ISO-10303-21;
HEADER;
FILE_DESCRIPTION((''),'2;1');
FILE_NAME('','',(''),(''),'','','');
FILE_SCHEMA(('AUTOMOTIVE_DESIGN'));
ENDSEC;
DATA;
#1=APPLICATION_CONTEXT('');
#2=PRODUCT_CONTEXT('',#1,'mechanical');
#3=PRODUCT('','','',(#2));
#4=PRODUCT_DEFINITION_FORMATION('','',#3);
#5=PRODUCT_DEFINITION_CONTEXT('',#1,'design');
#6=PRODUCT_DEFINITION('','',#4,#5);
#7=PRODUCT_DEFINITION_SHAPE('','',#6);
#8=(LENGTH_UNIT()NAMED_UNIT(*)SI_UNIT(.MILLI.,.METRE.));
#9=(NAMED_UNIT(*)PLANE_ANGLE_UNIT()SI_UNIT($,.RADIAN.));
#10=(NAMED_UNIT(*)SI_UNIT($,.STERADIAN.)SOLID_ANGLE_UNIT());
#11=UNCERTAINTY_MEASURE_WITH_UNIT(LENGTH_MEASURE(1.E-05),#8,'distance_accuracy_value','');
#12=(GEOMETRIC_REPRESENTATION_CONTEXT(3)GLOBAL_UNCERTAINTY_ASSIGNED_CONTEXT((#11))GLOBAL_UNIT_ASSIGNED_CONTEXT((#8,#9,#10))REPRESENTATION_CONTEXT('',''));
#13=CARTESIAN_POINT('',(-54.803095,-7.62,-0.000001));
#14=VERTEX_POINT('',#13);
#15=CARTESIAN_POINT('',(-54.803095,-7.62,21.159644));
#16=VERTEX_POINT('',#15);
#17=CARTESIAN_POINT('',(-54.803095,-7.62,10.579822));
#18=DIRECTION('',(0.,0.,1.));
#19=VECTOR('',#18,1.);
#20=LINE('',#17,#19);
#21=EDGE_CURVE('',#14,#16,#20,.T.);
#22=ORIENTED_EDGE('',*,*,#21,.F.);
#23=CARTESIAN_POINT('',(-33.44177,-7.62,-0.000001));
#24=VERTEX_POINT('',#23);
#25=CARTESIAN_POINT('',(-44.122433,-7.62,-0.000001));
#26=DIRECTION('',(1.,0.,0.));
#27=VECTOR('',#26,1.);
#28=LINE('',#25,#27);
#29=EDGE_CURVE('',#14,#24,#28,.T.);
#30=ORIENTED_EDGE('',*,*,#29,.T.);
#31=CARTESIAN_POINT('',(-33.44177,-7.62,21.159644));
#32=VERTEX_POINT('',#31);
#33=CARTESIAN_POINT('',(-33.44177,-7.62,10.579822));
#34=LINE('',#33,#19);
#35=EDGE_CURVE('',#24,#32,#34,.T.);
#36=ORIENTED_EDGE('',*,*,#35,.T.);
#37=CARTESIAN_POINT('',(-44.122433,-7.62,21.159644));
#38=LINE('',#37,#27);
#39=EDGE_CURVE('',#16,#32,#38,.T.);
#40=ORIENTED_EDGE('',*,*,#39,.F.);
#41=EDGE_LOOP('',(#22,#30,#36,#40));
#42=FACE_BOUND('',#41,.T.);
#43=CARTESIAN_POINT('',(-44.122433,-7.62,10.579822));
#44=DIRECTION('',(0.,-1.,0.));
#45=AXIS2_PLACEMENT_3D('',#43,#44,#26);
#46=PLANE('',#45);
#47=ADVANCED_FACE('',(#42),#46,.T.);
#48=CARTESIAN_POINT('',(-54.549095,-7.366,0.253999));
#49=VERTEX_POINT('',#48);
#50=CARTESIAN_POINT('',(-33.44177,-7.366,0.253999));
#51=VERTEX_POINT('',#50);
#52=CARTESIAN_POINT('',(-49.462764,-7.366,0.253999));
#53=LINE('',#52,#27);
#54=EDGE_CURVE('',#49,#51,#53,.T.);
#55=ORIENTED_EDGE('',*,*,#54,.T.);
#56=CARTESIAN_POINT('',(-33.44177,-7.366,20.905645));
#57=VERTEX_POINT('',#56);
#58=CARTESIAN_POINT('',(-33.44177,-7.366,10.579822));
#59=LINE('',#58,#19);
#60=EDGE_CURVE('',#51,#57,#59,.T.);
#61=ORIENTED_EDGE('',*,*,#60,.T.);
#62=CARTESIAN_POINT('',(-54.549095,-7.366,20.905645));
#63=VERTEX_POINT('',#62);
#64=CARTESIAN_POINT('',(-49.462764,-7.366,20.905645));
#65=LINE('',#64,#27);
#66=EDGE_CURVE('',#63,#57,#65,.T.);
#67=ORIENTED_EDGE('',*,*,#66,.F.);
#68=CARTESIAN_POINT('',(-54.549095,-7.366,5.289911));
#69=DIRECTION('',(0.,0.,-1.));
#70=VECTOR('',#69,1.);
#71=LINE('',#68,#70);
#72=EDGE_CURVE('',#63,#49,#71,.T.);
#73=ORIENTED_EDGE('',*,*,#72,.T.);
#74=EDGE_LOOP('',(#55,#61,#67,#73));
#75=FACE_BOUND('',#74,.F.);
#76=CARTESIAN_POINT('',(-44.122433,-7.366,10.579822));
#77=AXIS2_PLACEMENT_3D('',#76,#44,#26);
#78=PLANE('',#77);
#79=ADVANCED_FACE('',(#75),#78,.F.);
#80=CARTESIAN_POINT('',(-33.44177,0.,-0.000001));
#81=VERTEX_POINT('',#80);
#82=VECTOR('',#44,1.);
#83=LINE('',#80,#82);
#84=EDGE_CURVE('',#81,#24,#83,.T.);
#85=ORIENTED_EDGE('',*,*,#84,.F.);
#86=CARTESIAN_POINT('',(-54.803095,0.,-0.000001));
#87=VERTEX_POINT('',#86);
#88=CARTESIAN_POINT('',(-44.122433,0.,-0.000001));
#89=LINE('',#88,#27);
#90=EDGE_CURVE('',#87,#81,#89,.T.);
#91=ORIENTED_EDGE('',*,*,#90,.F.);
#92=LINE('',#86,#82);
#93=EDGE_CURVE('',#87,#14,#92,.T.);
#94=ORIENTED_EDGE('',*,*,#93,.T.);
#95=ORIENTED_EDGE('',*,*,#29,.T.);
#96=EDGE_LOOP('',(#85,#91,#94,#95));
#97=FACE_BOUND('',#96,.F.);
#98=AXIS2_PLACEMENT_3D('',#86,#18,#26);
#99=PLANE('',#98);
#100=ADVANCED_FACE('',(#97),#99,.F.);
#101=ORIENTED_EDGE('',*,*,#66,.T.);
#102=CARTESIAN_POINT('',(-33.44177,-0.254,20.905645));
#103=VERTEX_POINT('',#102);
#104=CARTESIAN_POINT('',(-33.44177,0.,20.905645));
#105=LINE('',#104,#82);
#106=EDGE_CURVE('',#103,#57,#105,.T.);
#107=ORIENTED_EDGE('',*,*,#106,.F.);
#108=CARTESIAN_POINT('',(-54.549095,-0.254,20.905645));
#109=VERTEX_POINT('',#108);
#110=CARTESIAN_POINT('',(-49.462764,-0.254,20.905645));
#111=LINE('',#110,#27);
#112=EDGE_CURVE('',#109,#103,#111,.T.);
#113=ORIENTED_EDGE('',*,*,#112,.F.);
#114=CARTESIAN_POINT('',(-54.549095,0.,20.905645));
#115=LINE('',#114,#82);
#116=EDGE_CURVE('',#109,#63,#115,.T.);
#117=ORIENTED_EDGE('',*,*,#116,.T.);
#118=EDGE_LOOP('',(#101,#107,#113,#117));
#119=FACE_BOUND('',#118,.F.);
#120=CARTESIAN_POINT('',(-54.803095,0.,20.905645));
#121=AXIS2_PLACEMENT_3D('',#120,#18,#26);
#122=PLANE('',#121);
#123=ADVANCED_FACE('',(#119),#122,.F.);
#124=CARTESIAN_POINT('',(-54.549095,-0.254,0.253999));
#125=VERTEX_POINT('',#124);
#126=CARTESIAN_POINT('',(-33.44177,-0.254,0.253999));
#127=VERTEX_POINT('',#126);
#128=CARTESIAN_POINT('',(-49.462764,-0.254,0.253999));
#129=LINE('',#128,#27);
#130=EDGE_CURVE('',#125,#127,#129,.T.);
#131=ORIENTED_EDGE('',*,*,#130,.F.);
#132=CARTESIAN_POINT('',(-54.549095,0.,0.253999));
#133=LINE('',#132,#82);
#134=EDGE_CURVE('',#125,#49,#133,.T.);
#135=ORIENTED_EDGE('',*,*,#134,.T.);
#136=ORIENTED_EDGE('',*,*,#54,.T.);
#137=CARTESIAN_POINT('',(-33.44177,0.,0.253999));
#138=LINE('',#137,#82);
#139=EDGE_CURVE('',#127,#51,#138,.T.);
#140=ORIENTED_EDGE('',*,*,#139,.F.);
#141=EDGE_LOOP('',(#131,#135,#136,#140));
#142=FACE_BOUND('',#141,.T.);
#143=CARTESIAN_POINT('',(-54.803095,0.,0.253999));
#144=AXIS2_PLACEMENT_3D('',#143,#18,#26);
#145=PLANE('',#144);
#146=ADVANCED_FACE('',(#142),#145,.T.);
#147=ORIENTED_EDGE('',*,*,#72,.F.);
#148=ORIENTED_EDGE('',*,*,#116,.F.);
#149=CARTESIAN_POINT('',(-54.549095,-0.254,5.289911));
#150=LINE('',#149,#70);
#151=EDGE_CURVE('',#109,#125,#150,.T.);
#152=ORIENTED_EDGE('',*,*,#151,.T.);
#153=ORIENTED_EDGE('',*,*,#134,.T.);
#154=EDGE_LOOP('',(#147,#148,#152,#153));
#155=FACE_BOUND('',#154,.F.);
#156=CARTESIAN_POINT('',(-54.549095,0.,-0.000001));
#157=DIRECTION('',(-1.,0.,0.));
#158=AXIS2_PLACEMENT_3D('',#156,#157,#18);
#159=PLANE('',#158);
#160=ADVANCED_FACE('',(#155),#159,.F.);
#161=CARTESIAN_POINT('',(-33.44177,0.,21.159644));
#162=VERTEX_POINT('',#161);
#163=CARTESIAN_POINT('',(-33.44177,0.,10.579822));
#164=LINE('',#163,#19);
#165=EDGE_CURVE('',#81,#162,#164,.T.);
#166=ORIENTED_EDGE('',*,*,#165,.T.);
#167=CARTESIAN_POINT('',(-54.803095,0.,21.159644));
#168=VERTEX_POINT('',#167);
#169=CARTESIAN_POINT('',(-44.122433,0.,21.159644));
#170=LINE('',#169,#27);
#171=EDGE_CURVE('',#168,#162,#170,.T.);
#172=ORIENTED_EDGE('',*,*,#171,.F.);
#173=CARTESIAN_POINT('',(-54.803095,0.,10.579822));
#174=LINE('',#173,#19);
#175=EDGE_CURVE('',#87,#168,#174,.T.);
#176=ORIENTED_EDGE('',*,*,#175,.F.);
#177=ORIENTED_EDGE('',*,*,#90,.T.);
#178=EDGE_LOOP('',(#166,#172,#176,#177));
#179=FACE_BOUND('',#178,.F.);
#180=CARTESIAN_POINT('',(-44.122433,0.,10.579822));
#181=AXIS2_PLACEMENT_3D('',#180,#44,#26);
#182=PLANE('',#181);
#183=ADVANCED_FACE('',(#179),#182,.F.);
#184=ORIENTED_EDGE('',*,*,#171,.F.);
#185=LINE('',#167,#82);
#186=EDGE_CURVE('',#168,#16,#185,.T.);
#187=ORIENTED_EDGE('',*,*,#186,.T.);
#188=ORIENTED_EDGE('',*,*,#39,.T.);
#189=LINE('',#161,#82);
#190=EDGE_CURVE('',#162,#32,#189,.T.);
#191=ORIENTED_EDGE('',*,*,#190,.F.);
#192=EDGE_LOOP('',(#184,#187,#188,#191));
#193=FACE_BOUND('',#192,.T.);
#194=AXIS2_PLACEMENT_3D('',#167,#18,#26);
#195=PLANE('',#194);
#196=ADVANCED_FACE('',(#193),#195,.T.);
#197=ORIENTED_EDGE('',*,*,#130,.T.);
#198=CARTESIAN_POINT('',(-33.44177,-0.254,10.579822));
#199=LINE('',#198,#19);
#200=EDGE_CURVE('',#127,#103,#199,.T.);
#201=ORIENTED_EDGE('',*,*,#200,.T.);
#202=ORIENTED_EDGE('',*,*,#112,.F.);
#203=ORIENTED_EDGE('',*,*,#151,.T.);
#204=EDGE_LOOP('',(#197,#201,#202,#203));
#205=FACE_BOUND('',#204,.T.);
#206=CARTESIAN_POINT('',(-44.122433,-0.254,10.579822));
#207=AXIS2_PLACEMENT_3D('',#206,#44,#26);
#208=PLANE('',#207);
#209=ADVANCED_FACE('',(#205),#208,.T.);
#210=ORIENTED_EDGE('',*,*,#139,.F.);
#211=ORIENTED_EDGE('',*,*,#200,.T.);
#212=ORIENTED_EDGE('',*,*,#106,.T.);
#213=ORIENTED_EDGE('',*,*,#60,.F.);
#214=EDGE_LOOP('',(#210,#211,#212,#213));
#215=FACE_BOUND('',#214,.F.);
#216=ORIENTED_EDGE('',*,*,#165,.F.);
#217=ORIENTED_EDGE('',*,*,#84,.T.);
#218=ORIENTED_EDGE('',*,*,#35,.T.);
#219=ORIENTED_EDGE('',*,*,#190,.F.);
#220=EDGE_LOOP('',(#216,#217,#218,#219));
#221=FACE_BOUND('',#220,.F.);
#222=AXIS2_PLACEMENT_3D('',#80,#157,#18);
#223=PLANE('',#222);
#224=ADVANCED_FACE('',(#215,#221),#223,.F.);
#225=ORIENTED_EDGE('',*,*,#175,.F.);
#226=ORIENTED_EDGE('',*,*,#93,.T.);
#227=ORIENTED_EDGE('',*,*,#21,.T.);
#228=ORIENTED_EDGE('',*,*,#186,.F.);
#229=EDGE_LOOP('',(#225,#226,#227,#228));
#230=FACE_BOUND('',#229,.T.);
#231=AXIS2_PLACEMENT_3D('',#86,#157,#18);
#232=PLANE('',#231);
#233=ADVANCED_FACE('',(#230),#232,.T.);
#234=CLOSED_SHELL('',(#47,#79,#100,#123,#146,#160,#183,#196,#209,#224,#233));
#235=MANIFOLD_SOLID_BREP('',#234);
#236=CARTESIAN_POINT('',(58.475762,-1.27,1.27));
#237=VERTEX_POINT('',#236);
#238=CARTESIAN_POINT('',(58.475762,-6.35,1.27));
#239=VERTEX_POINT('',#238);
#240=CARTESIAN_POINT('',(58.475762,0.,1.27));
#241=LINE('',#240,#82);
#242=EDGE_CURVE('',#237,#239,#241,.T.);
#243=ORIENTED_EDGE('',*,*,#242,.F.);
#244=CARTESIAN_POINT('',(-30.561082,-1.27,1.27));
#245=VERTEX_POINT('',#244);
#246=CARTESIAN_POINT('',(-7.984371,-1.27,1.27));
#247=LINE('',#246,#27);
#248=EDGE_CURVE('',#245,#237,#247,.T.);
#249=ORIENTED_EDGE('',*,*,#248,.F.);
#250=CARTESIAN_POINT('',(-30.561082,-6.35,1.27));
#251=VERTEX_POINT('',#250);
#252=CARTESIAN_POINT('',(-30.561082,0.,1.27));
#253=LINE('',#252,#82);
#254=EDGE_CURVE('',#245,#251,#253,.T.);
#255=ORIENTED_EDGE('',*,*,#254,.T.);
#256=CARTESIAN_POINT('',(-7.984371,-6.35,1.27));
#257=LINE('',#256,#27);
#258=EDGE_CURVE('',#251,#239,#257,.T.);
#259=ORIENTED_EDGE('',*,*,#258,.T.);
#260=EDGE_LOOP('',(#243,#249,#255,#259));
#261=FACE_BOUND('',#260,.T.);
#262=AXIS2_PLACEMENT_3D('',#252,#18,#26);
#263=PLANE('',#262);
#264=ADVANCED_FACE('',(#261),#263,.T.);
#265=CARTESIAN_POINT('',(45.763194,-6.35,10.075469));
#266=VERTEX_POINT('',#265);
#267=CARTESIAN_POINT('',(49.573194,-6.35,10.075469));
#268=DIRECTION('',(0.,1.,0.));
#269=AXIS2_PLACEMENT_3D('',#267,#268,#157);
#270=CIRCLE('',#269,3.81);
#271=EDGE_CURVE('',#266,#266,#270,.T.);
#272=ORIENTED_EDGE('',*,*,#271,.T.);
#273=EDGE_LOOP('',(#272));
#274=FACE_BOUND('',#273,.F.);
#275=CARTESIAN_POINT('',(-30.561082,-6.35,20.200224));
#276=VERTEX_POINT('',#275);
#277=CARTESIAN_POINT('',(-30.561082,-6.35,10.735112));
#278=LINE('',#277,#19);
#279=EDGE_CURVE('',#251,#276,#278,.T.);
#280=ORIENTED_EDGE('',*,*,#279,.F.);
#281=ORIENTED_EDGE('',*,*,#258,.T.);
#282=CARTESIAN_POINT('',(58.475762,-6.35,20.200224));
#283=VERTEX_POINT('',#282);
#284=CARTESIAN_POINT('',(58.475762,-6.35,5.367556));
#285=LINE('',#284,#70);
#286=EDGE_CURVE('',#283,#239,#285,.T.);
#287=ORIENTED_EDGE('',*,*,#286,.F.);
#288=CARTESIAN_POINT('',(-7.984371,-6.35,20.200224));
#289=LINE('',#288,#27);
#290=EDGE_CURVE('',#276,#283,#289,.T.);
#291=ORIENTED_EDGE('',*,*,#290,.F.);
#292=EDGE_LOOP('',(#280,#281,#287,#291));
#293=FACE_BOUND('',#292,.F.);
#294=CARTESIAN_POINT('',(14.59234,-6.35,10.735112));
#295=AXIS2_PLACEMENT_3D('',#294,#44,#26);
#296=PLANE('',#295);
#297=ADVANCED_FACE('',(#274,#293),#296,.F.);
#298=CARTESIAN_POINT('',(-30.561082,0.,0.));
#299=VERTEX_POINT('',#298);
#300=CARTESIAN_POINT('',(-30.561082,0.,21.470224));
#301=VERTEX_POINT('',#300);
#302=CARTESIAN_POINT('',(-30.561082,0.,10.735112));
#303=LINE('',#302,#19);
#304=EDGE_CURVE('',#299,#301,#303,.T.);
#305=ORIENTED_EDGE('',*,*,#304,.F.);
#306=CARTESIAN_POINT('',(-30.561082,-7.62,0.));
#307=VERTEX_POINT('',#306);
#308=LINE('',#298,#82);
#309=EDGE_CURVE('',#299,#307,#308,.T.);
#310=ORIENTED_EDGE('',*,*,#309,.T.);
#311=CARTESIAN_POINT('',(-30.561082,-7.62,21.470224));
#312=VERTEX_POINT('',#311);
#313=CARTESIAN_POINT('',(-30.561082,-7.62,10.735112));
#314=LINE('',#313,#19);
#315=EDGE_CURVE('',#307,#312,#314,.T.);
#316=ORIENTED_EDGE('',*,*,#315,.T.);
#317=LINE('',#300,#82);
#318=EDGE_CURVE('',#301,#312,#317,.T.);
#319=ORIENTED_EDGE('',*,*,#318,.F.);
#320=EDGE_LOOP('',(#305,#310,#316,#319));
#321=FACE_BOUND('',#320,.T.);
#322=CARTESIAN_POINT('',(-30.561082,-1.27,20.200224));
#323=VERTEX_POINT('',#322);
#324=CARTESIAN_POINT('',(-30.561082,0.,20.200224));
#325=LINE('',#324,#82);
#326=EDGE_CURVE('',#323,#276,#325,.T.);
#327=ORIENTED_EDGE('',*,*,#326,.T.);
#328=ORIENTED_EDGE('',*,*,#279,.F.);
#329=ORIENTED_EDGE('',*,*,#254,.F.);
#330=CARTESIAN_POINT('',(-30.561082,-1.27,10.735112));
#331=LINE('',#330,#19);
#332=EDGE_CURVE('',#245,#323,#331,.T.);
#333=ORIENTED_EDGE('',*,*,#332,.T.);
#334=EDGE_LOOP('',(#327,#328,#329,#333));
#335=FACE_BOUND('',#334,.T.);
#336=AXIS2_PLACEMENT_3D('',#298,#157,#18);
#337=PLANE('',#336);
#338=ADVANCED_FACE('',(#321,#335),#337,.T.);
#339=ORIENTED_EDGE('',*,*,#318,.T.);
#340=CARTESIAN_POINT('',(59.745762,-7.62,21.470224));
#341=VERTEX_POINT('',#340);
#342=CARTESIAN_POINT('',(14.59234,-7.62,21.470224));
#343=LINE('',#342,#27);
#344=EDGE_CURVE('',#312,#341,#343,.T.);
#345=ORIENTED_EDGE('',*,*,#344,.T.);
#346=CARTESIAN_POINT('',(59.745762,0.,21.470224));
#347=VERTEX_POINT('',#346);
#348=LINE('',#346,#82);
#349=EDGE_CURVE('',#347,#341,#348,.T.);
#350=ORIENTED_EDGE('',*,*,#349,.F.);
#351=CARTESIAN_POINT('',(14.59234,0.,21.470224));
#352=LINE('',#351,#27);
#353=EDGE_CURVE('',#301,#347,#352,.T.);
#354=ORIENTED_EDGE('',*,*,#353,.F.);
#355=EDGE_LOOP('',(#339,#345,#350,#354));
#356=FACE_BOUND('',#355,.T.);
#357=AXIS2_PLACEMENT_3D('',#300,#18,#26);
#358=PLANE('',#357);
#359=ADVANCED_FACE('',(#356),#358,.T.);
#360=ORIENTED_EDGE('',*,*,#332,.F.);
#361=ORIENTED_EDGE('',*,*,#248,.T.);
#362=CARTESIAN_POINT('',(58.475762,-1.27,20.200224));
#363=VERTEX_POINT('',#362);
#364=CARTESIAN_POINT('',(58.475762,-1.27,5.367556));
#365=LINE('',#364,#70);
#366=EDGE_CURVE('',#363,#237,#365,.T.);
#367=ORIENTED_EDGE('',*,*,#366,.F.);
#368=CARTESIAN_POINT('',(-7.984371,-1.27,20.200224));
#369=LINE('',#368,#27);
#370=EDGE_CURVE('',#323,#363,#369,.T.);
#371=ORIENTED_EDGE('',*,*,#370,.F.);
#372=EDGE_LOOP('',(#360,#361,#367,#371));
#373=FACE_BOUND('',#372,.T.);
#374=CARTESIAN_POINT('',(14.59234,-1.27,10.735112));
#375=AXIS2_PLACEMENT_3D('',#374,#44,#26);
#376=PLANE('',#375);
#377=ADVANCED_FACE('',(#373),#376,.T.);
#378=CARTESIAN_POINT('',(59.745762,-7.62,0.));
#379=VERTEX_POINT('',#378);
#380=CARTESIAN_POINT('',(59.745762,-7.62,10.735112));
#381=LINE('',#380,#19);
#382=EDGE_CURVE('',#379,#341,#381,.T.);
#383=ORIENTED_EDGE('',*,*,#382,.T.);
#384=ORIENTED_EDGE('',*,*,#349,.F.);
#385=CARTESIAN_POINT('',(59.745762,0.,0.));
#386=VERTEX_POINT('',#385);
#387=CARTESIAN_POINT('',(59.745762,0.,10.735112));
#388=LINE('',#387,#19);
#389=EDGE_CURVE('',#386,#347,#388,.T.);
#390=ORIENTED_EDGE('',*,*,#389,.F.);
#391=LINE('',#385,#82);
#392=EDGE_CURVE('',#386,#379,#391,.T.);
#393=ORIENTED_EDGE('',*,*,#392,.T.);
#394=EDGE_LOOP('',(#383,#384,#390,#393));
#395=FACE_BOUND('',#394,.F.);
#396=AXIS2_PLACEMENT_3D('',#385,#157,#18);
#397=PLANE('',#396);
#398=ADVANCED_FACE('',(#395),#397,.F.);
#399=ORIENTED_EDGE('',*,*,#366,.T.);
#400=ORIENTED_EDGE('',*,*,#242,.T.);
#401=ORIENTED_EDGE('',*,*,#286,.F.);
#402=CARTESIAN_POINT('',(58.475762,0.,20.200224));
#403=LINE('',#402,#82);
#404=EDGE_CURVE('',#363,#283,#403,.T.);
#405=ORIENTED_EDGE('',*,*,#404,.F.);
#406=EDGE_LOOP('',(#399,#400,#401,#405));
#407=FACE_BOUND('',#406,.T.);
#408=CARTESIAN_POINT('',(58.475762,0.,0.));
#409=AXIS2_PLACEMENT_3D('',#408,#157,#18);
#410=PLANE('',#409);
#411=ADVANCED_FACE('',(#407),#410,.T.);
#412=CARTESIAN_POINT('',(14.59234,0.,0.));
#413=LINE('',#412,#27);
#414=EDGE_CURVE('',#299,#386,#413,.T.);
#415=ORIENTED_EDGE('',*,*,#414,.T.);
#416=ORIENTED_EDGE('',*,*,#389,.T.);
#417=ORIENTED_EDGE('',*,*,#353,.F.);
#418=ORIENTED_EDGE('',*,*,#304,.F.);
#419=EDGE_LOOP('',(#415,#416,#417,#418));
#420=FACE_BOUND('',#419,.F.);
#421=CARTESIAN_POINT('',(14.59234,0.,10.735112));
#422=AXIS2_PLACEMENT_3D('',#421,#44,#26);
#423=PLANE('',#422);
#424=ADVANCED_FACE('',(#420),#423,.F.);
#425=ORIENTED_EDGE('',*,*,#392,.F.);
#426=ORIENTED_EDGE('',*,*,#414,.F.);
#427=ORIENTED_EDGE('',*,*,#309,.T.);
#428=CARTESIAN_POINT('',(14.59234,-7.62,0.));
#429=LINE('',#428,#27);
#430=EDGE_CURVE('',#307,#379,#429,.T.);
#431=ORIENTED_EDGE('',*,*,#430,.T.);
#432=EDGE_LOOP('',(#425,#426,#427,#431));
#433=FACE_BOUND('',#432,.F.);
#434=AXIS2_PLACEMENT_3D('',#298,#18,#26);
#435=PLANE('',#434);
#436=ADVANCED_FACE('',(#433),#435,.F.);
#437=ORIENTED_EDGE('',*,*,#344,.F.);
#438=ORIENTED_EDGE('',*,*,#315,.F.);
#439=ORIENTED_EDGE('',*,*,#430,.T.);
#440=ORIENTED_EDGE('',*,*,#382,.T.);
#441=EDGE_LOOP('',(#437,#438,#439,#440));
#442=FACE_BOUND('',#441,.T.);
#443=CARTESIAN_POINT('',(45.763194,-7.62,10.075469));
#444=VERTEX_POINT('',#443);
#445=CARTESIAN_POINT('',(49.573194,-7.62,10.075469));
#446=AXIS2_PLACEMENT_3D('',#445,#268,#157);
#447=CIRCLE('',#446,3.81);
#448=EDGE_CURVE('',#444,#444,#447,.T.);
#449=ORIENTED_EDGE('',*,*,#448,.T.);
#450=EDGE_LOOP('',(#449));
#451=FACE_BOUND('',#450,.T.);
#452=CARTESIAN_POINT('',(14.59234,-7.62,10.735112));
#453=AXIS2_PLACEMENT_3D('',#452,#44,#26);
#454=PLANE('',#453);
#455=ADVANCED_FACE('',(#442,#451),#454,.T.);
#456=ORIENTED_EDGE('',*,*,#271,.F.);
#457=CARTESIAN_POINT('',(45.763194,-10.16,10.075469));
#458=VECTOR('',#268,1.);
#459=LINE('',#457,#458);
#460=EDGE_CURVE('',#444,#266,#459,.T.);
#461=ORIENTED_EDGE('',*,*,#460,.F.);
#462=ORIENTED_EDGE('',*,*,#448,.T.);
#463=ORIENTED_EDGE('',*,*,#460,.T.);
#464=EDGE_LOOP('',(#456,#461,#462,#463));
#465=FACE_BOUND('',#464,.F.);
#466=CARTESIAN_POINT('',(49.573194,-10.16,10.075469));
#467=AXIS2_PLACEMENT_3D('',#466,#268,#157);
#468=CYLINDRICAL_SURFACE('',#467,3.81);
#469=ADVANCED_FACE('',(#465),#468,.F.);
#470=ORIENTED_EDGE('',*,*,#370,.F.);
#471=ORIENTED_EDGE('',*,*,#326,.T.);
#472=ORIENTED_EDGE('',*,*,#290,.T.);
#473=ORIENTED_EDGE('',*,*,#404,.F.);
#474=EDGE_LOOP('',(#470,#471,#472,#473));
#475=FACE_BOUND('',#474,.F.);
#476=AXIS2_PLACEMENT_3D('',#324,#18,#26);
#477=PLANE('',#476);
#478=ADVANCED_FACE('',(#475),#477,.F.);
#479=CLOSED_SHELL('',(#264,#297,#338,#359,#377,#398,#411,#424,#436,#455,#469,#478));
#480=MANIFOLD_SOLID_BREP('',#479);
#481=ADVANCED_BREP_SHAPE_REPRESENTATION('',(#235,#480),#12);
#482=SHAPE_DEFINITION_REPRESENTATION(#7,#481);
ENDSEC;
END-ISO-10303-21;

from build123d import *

# Parameters (mm, degrees)
F0_W     = 90.306844
F0_H     = 21.470224
F1_DEPTH = 7.62
F2_T     = -1.27
F5_D     = 7.62
F5_DEPTH = 2.54
F6_W     = 21.361325
F6_H     = 21.159645
F7_DEPTH = 7.62
F8_T     = -0.254


with BuildPart() as f1:
    # F0 (on Front) → F1 (new body)
    with BuildSketch(Plane.XZ):
        with Locations((14.59234, 10.735112)):
            Rectangle(F0_W, F0_H)
    extrude(amount=F1_DEPTH)

    # F2
    f2_openings = [f1.faces().sort_by_distance(p)[0] for p in [
        (-30.561082, -3.81, 10.735112),
    ]]
    offset(amount=F2_T, openings=f2_openings)

    # F5
    with Locations(Plane.XZ.offset(7.62)):
        with Locations((49.573194, 10.075469)):
            Hole(F5_D / 2, depth=F5_DEPTH)


with BuildPart() as f7:
    # F6 (on Front) → F7 (new body)
    with BuildSketch(Plane.XZ):
        with Locations((-44.122433, 10.579822)):
            Rectangle(F6_W, F6_H)
    extrude(amount=F7_DEPTH)

    # F8
    f8_openings = [f7.faces().sort_by_distance(p)[0] for p in [
        (-33.441771, -3.81, 10.579823),
    ]]
    offset(amount=F8_T, openings=f8_openings)


solid = Compound([f1.part, f7.part])
